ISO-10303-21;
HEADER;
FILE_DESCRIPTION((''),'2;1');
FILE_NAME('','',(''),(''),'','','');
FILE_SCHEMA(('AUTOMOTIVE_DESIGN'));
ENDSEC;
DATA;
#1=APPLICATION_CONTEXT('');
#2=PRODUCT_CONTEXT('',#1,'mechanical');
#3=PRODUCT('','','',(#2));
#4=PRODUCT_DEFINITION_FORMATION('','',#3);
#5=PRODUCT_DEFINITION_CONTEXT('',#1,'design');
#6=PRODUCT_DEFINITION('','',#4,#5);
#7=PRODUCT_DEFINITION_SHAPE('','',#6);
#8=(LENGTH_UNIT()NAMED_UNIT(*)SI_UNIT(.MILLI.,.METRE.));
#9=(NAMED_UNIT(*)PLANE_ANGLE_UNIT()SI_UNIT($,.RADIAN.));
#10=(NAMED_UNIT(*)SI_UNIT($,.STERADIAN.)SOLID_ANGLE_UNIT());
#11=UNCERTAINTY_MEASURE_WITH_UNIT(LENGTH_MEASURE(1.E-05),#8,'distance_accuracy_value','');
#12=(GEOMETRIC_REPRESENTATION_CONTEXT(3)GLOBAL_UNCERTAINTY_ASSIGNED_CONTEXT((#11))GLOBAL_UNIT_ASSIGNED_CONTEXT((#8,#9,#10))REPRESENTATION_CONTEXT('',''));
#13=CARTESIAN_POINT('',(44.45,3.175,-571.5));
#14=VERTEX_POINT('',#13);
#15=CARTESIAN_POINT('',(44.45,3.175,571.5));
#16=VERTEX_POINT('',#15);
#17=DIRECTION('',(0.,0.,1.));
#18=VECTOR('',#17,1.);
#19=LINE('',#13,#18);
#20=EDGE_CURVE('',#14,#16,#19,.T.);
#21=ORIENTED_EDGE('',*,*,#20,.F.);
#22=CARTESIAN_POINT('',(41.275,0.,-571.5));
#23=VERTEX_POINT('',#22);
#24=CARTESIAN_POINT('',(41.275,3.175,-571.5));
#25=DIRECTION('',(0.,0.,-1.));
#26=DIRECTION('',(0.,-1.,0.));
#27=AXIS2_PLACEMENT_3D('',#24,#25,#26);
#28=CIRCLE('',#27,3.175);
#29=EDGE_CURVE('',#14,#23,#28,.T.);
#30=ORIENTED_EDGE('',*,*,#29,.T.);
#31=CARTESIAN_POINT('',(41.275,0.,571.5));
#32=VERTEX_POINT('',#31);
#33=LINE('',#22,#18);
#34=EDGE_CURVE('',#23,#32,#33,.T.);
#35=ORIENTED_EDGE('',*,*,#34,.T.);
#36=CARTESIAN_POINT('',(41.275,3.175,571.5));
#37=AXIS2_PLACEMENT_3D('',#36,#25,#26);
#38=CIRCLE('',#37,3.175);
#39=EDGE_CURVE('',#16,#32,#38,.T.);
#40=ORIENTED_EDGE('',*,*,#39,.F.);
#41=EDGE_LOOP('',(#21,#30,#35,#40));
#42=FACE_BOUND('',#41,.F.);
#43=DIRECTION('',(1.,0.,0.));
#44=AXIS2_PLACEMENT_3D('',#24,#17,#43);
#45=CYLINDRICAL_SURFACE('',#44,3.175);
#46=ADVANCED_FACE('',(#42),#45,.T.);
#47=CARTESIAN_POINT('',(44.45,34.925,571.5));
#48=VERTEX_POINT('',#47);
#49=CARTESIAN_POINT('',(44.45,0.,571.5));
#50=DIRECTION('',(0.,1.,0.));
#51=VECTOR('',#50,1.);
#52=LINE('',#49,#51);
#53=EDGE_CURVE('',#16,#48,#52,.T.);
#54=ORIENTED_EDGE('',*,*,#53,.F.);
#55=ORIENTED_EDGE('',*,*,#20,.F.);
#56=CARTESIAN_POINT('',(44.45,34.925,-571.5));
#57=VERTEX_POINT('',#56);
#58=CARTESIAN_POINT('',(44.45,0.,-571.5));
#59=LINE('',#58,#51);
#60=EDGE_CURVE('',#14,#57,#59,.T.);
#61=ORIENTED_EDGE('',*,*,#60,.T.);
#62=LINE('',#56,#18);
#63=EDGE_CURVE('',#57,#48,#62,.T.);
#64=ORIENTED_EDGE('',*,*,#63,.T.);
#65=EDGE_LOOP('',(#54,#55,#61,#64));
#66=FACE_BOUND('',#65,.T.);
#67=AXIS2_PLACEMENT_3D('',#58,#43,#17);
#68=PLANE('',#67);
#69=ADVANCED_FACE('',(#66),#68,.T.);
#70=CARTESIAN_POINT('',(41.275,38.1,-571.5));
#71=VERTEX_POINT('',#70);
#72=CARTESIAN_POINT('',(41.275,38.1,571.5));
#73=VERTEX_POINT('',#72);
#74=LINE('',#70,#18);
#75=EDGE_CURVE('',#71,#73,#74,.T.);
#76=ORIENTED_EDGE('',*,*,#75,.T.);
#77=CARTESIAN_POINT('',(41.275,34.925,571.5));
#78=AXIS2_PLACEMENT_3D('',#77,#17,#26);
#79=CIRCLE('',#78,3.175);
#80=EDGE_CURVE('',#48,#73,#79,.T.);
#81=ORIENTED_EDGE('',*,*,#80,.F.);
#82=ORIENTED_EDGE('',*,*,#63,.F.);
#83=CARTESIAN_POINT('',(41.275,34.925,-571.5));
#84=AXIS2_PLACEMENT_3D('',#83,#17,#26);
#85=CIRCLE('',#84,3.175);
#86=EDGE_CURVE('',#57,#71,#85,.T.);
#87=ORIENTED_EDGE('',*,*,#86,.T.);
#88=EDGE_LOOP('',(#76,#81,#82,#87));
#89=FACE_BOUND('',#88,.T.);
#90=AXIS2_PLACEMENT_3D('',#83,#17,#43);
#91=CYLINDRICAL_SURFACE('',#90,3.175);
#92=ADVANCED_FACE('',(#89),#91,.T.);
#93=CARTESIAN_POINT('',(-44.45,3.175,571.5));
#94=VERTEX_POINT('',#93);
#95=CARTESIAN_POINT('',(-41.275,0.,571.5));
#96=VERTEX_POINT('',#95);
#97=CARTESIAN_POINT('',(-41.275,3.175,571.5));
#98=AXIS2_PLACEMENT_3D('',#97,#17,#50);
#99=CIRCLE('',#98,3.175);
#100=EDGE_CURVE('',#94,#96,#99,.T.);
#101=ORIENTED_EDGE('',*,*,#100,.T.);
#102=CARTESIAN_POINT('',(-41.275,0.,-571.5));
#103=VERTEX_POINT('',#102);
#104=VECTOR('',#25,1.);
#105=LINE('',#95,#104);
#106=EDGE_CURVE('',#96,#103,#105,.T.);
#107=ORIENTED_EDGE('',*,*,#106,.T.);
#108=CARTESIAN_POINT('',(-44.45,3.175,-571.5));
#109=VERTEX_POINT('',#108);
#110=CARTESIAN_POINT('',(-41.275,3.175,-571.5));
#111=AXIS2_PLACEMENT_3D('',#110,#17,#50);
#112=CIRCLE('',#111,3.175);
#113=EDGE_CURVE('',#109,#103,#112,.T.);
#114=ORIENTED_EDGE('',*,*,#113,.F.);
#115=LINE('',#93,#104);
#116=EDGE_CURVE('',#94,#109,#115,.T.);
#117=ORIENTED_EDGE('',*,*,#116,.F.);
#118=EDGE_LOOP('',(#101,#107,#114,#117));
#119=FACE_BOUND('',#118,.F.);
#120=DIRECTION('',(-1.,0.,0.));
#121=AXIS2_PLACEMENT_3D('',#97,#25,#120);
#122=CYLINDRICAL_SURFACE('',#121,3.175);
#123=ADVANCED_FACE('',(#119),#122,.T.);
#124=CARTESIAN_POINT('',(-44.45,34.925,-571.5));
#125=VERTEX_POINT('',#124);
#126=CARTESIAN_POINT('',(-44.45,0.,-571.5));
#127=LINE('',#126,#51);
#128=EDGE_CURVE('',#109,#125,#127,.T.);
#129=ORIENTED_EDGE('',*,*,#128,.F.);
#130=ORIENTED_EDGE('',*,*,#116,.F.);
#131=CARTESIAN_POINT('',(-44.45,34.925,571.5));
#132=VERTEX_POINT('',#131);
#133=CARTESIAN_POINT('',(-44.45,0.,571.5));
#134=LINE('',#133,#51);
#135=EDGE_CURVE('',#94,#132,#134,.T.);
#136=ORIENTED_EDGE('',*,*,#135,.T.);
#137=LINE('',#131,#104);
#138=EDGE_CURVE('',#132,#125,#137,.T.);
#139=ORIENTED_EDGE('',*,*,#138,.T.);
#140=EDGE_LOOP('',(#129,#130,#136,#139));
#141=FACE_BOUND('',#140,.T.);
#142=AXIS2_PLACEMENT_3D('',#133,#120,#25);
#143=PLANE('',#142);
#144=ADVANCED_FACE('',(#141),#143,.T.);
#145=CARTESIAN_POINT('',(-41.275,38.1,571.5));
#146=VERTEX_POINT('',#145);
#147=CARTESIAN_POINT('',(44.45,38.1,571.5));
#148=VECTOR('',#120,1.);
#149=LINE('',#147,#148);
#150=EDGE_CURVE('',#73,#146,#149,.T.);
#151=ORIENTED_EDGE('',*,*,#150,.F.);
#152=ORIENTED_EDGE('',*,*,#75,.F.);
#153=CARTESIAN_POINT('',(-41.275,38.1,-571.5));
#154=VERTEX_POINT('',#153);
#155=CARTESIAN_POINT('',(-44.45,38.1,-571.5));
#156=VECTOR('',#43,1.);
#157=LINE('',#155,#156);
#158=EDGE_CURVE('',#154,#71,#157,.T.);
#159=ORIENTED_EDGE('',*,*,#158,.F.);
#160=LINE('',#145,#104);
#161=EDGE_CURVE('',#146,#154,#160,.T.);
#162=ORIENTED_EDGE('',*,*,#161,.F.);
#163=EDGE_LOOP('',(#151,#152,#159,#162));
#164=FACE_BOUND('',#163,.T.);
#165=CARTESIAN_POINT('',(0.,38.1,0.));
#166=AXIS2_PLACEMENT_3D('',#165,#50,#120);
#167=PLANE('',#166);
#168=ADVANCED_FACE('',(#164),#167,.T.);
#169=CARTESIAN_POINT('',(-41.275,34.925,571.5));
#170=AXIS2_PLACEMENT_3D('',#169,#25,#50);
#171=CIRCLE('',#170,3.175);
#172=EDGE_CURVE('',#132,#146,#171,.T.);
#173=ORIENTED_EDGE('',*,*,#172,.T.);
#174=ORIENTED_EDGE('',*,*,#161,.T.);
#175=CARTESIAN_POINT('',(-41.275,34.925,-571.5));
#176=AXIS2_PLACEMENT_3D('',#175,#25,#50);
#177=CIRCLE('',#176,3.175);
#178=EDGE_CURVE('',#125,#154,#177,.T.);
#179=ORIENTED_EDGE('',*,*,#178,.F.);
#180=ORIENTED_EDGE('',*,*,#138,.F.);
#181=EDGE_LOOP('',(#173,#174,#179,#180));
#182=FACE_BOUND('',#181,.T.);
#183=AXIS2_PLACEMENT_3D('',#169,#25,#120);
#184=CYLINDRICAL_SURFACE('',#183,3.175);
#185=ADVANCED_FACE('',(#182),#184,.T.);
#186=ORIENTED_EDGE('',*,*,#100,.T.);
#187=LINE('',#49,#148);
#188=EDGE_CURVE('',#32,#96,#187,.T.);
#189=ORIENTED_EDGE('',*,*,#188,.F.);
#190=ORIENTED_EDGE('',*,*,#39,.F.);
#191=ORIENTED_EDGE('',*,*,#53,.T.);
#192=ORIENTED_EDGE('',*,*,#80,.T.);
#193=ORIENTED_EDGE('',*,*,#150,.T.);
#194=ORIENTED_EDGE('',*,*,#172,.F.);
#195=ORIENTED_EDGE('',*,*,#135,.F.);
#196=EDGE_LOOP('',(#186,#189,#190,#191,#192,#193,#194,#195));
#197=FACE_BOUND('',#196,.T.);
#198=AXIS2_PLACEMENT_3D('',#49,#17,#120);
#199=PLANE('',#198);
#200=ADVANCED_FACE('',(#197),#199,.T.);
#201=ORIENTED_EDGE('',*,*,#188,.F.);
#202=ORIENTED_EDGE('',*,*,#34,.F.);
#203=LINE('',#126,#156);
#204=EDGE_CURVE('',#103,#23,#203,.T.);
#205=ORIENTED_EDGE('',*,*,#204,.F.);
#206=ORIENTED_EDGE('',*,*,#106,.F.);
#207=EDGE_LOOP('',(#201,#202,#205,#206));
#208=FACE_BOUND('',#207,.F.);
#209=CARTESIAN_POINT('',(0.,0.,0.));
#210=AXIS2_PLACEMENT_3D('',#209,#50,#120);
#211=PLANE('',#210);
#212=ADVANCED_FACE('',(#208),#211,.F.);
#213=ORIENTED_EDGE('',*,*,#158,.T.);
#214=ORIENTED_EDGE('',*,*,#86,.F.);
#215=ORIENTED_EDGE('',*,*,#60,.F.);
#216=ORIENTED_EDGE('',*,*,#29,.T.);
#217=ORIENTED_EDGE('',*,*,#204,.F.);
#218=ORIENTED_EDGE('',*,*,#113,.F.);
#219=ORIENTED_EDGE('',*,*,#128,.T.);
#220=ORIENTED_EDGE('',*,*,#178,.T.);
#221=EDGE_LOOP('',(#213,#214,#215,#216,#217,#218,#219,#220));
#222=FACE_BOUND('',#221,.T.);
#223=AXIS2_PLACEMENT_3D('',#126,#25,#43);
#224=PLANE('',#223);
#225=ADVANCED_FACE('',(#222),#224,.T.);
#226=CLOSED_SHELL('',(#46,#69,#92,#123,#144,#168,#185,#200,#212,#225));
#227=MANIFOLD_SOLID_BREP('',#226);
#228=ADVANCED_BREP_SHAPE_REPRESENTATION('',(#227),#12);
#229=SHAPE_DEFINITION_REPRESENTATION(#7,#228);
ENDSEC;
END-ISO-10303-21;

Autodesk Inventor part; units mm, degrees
ref_plane "YZ Plane" through (0, 0, 0) normal (1, 0, 0) x (0, 1, 0)
ref_plane "XZ Plane" through (0, 0, 0) normal (0, 1, 0) x (-1, 0, 0)
ref_plane "XY Plane" through (0, 0, 0) normal (0, 0, 1) x (1, 0, 0)
sketch "Sketch1" plane through (0, 0, 0) normal (0, 1, 0) x (-1, 0, 0)
  line L0 (44.45, -571.5) -> (-44.45, -571.5)
  line L1 (-44.45, -571.5) -> (-44.45, 571.5)
  line L2 (-44.45, 571.5) -> (44.45, 571.5)
  line L3 (44.45, 571.5) -> (44.45, -571.5)
  line L4 (44.45, -571.5) -> (-44.45, 571.5) construction
  line L5 (-44.45, -571.5) -> (44.45, 571.5) construction
  point P0 (0, 0)
  dimension "d0" = 88.9
  dimension "d1" = 1143
extrude "Extrusion1" add sketch "Sketch1" along normal blind 38.1
fillet "Fillet1" radius 3.175 4 edges at (44.45, 38.1, 0) (44.45, 0, 0) (-44.45, 38.1, 0) (-44.45, 0, 0)
properties part number "2x4" material "Pine"
